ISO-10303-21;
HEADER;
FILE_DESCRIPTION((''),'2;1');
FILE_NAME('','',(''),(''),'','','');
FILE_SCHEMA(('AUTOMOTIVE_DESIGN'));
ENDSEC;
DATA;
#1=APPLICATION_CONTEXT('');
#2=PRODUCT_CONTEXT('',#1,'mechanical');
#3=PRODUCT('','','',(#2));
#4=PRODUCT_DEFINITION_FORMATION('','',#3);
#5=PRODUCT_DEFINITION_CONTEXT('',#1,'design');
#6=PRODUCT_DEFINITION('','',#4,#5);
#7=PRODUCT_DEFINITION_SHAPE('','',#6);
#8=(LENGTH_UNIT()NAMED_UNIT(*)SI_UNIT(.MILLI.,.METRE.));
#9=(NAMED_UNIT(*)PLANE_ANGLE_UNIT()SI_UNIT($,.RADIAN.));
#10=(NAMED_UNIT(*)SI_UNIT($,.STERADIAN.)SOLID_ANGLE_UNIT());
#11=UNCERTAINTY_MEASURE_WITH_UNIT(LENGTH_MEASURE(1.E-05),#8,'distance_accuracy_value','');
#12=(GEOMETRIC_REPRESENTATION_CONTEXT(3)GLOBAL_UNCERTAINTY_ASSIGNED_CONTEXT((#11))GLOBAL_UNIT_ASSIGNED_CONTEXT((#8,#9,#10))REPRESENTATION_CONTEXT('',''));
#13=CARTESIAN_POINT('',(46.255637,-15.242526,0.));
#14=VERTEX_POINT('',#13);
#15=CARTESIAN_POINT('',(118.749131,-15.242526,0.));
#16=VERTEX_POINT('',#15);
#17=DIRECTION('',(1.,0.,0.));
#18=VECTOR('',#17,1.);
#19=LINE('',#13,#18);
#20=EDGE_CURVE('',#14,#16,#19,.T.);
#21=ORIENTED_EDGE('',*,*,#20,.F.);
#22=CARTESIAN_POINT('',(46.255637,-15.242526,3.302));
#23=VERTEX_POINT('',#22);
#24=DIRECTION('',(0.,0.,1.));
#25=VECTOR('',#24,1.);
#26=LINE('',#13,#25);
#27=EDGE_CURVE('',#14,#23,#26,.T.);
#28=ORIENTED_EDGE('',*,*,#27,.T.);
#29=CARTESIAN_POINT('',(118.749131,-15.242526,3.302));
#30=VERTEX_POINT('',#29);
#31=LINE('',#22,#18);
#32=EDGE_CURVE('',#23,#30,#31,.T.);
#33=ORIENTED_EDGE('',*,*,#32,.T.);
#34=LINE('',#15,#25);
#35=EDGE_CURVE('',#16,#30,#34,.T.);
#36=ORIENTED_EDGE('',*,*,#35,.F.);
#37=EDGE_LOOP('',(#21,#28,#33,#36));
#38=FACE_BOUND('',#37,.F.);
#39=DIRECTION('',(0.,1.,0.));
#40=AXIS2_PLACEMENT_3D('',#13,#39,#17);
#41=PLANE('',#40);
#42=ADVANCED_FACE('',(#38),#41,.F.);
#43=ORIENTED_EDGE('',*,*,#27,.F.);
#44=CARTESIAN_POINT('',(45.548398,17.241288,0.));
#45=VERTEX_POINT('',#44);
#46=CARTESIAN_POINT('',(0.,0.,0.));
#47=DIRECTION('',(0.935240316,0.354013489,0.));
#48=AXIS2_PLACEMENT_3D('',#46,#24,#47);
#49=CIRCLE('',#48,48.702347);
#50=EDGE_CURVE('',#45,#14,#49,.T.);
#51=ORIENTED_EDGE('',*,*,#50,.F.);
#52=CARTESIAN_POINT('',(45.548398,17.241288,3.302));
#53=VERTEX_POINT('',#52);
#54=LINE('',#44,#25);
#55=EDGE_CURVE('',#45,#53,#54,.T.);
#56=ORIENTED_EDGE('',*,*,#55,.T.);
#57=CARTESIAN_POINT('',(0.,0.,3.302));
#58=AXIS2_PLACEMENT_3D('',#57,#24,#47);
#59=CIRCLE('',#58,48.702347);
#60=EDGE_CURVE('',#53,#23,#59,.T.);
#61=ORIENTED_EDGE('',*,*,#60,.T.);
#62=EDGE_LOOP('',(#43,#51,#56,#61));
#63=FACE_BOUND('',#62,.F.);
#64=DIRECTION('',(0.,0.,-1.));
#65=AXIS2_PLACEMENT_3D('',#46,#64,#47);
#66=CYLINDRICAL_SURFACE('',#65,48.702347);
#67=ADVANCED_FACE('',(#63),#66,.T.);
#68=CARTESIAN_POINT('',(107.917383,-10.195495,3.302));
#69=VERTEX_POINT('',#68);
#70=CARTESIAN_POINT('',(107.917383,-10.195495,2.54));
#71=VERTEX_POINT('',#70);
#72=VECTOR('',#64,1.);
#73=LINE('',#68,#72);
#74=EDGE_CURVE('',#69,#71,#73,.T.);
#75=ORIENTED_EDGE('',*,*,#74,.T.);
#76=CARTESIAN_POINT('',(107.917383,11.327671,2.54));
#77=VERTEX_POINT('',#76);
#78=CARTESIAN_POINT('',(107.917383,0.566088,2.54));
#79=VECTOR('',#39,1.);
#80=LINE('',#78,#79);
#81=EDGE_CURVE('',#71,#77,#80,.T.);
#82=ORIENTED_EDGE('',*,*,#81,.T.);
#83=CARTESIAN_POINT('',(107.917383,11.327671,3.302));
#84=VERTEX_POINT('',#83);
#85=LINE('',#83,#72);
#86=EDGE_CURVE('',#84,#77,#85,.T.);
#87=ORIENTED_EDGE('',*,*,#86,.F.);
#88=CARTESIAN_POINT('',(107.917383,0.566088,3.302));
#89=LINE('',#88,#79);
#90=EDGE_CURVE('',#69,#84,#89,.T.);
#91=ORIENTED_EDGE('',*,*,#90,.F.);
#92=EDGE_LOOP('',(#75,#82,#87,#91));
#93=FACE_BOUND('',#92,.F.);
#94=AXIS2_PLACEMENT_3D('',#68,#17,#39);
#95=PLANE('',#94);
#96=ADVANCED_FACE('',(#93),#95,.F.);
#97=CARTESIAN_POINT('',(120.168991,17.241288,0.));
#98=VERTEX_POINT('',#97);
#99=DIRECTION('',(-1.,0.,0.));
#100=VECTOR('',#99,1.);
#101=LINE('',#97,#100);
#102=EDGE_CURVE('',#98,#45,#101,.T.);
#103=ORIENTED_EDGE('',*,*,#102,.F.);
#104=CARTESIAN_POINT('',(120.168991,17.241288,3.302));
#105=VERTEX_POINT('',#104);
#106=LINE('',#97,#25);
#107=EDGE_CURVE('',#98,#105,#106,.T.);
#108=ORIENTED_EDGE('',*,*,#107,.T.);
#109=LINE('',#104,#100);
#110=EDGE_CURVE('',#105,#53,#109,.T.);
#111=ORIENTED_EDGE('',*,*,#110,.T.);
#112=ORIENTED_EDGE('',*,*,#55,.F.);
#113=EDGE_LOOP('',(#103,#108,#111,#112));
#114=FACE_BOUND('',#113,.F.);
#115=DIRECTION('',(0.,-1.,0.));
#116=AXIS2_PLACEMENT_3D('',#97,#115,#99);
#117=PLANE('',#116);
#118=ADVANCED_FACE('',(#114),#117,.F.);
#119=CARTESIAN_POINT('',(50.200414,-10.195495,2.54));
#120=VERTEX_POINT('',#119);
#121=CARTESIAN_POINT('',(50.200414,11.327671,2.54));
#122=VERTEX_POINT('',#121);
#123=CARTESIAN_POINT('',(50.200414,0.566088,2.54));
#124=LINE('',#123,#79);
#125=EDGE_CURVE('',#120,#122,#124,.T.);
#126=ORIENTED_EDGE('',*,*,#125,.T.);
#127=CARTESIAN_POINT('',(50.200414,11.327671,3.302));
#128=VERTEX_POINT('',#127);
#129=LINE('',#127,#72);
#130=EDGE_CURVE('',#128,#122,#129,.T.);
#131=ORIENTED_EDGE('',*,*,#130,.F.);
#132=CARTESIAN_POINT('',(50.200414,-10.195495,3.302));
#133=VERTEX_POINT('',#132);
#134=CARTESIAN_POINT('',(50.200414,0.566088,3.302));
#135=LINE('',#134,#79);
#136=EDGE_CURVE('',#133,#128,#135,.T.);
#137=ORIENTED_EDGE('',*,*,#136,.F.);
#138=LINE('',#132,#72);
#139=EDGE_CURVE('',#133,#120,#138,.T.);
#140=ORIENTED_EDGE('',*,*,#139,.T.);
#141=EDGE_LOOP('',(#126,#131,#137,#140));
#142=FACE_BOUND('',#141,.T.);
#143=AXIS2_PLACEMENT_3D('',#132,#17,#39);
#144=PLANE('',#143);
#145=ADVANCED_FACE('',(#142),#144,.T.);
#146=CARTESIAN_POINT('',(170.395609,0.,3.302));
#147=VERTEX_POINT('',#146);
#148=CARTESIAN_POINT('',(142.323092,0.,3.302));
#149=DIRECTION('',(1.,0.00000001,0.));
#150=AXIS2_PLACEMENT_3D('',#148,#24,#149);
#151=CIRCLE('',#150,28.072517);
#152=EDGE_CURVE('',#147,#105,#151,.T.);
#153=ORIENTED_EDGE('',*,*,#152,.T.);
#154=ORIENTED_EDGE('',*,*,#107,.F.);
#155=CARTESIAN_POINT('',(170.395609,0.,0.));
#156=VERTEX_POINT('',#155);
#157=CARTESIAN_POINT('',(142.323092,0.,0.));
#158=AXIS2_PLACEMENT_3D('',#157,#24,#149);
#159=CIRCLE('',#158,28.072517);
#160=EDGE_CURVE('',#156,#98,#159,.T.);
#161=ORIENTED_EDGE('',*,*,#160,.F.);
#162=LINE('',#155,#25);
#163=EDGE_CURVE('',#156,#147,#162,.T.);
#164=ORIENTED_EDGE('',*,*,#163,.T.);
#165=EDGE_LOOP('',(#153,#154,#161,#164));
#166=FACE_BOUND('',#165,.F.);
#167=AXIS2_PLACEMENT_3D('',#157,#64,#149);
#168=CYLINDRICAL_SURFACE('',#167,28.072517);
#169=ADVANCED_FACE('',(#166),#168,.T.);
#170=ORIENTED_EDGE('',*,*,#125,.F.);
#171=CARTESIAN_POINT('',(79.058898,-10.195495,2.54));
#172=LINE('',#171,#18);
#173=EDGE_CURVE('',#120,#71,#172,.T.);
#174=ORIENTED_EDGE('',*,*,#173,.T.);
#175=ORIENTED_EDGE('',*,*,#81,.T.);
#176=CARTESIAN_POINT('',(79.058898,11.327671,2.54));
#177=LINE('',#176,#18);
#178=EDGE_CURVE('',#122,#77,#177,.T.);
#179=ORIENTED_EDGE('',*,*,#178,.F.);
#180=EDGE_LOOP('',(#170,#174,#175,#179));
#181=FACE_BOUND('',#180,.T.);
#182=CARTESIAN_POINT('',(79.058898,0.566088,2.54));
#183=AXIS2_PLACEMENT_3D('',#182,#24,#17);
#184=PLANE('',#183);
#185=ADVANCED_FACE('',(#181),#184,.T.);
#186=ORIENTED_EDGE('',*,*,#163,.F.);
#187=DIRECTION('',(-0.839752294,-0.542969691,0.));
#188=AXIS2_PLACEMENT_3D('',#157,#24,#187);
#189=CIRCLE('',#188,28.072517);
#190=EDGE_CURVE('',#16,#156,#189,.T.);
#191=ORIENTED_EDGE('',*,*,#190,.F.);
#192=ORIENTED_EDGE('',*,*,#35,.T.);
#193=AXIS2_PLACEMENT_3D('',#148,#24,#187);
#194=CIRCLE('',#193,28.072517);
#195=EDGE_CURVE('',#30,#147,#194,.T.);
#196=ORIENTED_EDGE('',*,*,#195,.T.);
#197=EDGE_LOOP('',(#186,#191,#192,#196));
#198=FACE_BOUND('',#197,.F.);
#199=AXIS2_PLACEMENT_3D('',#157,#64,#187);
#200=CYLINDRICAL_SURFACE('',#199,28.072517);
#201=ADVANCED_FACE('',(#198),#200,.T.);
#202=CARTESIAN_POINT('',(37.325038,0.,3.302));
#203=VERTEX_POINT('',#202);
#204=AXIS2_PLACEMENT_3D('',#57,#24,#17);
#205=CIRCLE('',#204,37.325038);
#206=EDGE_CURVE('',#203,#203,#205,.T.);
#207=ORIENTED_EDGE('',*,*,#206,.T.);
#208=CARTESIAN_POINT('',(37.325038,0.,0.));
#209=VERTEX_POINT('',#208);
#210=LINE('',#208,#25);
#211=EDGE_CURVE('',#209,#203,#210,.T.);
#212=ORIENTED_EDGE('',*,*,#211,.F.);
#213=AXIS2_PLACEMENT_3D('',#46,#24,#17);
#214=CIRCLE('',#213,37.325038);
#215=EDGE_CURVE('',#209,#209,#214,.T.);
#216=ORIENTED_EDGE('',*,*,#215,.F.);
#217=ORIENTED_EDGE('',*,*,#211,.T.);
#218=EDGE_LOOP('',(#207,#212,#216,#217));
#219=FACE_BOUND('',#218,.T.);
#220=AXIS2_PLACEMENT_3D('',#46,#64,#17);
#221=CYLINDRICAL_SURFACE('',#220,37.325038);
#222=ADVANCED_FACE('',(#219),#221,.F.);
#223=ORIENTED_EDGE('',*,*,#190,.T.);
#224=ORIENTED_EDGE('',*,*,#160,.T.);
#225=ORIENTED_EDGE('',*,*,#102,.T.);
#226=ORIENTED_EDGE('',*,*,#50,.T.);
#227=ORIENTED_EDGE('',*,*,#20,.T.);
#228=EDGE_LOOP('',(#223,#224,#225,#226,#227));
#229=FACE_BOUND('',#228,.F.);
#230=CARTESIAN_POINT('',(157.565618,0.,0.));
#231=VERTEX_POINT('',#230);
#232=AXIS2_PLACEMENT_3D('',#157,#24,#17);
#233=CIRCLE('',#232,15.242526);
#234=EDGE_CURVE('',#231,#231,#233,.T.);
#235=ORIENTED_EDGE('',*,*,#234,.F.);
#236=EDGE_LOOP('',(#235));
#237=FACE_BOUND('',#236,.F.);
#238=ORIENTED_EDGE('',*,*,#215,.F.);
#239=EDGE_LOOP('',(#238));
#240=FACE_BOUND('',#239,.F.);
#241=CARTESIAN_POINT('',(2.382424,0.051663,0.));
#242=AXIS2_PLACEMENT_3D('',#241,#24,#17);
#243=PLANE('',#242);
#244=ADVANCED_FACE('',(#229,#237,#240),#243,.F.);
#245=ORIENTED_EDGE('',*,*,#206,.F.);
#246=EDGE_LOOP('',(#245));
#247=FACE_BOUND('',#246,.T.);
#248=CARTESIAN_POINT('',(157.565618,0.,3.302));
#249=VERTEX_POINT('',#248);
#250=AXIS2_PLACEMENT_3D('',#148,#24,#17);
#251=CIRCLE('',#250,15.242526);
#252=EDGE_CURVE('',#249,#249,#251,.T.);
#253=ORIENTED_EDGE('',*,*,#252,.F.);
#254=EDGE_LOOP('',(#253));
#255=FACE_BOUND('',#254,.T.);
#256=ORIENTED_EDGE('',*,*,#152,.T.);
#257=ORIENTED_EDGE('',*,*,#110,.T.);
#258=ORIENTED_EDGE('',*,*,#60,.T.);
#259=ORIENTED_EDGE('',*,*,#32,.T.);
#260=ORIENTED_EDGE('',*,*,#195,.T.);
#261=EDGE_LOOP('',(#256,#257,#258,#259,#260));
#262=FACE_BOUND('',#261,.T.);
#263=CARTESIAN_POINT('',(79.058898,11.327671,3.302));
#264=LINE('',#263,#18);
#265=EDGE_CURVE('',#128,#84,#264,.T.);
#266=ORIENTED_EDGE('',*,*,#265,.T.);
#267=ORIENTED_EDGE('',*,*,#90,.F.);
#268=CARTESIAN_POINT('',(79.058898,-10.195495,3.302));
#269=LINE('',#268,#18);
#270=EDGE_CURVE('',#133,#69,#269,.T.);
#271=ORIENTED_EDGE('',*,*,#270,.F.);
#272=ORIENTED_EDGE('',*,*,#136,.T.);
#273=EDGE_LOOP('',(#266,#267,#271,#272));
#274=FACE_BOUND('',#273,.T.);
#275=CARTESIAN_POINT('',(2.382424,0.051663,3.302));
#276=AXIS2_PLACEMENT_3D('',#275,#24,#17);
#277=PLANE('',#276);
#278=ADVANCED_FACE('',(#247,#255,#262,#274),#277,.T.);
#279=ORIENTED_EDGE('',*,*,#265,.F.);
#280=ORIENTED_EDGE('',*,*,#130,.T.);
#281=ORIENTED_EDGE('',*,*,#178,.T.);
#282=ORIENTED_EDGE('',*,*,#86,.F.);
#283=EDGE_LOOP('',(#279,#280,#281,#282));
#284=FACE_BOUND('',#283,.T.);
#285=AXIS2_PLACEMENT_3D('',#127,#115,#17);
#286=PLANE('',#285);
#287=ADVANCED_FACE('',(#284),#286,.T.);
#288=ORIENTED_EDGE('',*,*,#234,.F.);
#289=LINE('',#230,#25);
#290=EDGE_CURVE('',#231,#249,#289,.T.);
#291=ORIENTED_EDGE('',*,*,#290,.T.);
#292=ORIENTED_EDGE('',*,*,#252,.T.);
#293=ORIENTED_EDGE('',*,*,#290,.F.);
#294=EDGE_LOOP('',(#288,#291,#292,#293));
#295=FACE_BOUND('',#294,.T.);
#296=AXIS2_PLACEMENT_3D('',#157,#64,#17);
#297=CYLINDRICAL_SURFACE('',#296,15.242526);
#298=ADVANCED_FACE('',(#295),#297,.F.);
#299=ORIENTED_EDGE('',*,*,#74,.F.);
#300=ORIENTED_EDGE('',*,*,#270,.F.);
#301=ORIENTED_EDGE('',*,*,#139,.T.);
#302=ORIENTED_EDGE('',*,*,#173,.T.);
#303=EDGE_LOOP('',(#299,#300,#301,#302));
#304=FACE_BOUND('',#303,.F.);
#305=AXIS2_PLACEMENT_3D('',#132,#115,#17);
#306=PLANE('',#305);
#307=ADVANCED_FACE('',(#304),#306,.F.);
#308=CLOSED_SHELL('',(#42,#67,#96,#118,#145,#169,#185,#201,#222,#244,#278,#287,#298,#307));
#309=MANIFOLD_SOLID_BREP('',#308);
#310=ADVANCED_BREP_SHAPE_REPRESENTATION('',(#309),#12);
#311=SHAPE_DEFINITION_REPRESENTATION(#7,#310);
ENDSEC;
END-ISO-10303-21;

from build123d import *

# Parameters (mm, degrees)
F0_R     = 37.325038
F0_R_2   = 15.242526
F1_DEPTH = 3.302
F2_W     = 57.716969
F2_H     = 21.523166
F3_DEPTH = 0.762


with BuildPart() as f1:
    # F0 (on Top) → F1 (new body)
    with BuildSketch(Plane.XY):
        with BuildLine():
            ThreePointArc((46.255637, -15.242526), (48.086779, -7.718824), (48.702347, 0))
            ThreePointArc((48.702347, 0), (47.907371, 8.763695), (45.548398, 17.241288))
            ThreePointArc((45.548398, 17.241288), (-48.690808, -1.060099), (46.255637, -15.242526))
        make_face()
        Circle(F0_R, mode=Mode.SUBTRACT)
        with BuildLine():
            ThreePointArc((45.548398, 17.241288), (47.907371, 8.763695), (48.702347, 0))
            ThreePointArc((48.702347, 0), (48.086779, -7.718824), (46.255637, -15.242526))
            Line((46.255637, -15.242526), (118.749131, -15.242526))
            ThreePointArc((118.749131, -15.242526), (114.277353, 1.225872), (120.168991, 17.241288))
            Line((120.168991, 17.241288), (45.548398, 17.241288))
        make_face()
        with BuildLine():
            ThreePointArc((170.395609, 0), (151.437499, 26.551719), (120.168991, 17.241288))
            ThreePointArc((120.168991, 17.241288), (114.277353, 1.225872), (118.749131, -15.242526))
            ThreePointArc((118.749131, -15.242526), (150.269343, -26.9244), (170.395609, 0))
        make_face()
        with Locations((142.323092, 0)):
            Circle(F0_R_2, mode=Mode.SUBTRACT)
    extrude(amount=F1_DEPTH)

    # F2 (on face) → F3 (cut)
    with BuildSketch(Plane.XY.offset(3.302)):
        with Locations((79.058898, 0.566088)):
            Rectangle(F2_W, F2_H)
    extrude(amount=-F3_DEPTH, mode=Mode.SUBTRACT)


solid = f1.part
